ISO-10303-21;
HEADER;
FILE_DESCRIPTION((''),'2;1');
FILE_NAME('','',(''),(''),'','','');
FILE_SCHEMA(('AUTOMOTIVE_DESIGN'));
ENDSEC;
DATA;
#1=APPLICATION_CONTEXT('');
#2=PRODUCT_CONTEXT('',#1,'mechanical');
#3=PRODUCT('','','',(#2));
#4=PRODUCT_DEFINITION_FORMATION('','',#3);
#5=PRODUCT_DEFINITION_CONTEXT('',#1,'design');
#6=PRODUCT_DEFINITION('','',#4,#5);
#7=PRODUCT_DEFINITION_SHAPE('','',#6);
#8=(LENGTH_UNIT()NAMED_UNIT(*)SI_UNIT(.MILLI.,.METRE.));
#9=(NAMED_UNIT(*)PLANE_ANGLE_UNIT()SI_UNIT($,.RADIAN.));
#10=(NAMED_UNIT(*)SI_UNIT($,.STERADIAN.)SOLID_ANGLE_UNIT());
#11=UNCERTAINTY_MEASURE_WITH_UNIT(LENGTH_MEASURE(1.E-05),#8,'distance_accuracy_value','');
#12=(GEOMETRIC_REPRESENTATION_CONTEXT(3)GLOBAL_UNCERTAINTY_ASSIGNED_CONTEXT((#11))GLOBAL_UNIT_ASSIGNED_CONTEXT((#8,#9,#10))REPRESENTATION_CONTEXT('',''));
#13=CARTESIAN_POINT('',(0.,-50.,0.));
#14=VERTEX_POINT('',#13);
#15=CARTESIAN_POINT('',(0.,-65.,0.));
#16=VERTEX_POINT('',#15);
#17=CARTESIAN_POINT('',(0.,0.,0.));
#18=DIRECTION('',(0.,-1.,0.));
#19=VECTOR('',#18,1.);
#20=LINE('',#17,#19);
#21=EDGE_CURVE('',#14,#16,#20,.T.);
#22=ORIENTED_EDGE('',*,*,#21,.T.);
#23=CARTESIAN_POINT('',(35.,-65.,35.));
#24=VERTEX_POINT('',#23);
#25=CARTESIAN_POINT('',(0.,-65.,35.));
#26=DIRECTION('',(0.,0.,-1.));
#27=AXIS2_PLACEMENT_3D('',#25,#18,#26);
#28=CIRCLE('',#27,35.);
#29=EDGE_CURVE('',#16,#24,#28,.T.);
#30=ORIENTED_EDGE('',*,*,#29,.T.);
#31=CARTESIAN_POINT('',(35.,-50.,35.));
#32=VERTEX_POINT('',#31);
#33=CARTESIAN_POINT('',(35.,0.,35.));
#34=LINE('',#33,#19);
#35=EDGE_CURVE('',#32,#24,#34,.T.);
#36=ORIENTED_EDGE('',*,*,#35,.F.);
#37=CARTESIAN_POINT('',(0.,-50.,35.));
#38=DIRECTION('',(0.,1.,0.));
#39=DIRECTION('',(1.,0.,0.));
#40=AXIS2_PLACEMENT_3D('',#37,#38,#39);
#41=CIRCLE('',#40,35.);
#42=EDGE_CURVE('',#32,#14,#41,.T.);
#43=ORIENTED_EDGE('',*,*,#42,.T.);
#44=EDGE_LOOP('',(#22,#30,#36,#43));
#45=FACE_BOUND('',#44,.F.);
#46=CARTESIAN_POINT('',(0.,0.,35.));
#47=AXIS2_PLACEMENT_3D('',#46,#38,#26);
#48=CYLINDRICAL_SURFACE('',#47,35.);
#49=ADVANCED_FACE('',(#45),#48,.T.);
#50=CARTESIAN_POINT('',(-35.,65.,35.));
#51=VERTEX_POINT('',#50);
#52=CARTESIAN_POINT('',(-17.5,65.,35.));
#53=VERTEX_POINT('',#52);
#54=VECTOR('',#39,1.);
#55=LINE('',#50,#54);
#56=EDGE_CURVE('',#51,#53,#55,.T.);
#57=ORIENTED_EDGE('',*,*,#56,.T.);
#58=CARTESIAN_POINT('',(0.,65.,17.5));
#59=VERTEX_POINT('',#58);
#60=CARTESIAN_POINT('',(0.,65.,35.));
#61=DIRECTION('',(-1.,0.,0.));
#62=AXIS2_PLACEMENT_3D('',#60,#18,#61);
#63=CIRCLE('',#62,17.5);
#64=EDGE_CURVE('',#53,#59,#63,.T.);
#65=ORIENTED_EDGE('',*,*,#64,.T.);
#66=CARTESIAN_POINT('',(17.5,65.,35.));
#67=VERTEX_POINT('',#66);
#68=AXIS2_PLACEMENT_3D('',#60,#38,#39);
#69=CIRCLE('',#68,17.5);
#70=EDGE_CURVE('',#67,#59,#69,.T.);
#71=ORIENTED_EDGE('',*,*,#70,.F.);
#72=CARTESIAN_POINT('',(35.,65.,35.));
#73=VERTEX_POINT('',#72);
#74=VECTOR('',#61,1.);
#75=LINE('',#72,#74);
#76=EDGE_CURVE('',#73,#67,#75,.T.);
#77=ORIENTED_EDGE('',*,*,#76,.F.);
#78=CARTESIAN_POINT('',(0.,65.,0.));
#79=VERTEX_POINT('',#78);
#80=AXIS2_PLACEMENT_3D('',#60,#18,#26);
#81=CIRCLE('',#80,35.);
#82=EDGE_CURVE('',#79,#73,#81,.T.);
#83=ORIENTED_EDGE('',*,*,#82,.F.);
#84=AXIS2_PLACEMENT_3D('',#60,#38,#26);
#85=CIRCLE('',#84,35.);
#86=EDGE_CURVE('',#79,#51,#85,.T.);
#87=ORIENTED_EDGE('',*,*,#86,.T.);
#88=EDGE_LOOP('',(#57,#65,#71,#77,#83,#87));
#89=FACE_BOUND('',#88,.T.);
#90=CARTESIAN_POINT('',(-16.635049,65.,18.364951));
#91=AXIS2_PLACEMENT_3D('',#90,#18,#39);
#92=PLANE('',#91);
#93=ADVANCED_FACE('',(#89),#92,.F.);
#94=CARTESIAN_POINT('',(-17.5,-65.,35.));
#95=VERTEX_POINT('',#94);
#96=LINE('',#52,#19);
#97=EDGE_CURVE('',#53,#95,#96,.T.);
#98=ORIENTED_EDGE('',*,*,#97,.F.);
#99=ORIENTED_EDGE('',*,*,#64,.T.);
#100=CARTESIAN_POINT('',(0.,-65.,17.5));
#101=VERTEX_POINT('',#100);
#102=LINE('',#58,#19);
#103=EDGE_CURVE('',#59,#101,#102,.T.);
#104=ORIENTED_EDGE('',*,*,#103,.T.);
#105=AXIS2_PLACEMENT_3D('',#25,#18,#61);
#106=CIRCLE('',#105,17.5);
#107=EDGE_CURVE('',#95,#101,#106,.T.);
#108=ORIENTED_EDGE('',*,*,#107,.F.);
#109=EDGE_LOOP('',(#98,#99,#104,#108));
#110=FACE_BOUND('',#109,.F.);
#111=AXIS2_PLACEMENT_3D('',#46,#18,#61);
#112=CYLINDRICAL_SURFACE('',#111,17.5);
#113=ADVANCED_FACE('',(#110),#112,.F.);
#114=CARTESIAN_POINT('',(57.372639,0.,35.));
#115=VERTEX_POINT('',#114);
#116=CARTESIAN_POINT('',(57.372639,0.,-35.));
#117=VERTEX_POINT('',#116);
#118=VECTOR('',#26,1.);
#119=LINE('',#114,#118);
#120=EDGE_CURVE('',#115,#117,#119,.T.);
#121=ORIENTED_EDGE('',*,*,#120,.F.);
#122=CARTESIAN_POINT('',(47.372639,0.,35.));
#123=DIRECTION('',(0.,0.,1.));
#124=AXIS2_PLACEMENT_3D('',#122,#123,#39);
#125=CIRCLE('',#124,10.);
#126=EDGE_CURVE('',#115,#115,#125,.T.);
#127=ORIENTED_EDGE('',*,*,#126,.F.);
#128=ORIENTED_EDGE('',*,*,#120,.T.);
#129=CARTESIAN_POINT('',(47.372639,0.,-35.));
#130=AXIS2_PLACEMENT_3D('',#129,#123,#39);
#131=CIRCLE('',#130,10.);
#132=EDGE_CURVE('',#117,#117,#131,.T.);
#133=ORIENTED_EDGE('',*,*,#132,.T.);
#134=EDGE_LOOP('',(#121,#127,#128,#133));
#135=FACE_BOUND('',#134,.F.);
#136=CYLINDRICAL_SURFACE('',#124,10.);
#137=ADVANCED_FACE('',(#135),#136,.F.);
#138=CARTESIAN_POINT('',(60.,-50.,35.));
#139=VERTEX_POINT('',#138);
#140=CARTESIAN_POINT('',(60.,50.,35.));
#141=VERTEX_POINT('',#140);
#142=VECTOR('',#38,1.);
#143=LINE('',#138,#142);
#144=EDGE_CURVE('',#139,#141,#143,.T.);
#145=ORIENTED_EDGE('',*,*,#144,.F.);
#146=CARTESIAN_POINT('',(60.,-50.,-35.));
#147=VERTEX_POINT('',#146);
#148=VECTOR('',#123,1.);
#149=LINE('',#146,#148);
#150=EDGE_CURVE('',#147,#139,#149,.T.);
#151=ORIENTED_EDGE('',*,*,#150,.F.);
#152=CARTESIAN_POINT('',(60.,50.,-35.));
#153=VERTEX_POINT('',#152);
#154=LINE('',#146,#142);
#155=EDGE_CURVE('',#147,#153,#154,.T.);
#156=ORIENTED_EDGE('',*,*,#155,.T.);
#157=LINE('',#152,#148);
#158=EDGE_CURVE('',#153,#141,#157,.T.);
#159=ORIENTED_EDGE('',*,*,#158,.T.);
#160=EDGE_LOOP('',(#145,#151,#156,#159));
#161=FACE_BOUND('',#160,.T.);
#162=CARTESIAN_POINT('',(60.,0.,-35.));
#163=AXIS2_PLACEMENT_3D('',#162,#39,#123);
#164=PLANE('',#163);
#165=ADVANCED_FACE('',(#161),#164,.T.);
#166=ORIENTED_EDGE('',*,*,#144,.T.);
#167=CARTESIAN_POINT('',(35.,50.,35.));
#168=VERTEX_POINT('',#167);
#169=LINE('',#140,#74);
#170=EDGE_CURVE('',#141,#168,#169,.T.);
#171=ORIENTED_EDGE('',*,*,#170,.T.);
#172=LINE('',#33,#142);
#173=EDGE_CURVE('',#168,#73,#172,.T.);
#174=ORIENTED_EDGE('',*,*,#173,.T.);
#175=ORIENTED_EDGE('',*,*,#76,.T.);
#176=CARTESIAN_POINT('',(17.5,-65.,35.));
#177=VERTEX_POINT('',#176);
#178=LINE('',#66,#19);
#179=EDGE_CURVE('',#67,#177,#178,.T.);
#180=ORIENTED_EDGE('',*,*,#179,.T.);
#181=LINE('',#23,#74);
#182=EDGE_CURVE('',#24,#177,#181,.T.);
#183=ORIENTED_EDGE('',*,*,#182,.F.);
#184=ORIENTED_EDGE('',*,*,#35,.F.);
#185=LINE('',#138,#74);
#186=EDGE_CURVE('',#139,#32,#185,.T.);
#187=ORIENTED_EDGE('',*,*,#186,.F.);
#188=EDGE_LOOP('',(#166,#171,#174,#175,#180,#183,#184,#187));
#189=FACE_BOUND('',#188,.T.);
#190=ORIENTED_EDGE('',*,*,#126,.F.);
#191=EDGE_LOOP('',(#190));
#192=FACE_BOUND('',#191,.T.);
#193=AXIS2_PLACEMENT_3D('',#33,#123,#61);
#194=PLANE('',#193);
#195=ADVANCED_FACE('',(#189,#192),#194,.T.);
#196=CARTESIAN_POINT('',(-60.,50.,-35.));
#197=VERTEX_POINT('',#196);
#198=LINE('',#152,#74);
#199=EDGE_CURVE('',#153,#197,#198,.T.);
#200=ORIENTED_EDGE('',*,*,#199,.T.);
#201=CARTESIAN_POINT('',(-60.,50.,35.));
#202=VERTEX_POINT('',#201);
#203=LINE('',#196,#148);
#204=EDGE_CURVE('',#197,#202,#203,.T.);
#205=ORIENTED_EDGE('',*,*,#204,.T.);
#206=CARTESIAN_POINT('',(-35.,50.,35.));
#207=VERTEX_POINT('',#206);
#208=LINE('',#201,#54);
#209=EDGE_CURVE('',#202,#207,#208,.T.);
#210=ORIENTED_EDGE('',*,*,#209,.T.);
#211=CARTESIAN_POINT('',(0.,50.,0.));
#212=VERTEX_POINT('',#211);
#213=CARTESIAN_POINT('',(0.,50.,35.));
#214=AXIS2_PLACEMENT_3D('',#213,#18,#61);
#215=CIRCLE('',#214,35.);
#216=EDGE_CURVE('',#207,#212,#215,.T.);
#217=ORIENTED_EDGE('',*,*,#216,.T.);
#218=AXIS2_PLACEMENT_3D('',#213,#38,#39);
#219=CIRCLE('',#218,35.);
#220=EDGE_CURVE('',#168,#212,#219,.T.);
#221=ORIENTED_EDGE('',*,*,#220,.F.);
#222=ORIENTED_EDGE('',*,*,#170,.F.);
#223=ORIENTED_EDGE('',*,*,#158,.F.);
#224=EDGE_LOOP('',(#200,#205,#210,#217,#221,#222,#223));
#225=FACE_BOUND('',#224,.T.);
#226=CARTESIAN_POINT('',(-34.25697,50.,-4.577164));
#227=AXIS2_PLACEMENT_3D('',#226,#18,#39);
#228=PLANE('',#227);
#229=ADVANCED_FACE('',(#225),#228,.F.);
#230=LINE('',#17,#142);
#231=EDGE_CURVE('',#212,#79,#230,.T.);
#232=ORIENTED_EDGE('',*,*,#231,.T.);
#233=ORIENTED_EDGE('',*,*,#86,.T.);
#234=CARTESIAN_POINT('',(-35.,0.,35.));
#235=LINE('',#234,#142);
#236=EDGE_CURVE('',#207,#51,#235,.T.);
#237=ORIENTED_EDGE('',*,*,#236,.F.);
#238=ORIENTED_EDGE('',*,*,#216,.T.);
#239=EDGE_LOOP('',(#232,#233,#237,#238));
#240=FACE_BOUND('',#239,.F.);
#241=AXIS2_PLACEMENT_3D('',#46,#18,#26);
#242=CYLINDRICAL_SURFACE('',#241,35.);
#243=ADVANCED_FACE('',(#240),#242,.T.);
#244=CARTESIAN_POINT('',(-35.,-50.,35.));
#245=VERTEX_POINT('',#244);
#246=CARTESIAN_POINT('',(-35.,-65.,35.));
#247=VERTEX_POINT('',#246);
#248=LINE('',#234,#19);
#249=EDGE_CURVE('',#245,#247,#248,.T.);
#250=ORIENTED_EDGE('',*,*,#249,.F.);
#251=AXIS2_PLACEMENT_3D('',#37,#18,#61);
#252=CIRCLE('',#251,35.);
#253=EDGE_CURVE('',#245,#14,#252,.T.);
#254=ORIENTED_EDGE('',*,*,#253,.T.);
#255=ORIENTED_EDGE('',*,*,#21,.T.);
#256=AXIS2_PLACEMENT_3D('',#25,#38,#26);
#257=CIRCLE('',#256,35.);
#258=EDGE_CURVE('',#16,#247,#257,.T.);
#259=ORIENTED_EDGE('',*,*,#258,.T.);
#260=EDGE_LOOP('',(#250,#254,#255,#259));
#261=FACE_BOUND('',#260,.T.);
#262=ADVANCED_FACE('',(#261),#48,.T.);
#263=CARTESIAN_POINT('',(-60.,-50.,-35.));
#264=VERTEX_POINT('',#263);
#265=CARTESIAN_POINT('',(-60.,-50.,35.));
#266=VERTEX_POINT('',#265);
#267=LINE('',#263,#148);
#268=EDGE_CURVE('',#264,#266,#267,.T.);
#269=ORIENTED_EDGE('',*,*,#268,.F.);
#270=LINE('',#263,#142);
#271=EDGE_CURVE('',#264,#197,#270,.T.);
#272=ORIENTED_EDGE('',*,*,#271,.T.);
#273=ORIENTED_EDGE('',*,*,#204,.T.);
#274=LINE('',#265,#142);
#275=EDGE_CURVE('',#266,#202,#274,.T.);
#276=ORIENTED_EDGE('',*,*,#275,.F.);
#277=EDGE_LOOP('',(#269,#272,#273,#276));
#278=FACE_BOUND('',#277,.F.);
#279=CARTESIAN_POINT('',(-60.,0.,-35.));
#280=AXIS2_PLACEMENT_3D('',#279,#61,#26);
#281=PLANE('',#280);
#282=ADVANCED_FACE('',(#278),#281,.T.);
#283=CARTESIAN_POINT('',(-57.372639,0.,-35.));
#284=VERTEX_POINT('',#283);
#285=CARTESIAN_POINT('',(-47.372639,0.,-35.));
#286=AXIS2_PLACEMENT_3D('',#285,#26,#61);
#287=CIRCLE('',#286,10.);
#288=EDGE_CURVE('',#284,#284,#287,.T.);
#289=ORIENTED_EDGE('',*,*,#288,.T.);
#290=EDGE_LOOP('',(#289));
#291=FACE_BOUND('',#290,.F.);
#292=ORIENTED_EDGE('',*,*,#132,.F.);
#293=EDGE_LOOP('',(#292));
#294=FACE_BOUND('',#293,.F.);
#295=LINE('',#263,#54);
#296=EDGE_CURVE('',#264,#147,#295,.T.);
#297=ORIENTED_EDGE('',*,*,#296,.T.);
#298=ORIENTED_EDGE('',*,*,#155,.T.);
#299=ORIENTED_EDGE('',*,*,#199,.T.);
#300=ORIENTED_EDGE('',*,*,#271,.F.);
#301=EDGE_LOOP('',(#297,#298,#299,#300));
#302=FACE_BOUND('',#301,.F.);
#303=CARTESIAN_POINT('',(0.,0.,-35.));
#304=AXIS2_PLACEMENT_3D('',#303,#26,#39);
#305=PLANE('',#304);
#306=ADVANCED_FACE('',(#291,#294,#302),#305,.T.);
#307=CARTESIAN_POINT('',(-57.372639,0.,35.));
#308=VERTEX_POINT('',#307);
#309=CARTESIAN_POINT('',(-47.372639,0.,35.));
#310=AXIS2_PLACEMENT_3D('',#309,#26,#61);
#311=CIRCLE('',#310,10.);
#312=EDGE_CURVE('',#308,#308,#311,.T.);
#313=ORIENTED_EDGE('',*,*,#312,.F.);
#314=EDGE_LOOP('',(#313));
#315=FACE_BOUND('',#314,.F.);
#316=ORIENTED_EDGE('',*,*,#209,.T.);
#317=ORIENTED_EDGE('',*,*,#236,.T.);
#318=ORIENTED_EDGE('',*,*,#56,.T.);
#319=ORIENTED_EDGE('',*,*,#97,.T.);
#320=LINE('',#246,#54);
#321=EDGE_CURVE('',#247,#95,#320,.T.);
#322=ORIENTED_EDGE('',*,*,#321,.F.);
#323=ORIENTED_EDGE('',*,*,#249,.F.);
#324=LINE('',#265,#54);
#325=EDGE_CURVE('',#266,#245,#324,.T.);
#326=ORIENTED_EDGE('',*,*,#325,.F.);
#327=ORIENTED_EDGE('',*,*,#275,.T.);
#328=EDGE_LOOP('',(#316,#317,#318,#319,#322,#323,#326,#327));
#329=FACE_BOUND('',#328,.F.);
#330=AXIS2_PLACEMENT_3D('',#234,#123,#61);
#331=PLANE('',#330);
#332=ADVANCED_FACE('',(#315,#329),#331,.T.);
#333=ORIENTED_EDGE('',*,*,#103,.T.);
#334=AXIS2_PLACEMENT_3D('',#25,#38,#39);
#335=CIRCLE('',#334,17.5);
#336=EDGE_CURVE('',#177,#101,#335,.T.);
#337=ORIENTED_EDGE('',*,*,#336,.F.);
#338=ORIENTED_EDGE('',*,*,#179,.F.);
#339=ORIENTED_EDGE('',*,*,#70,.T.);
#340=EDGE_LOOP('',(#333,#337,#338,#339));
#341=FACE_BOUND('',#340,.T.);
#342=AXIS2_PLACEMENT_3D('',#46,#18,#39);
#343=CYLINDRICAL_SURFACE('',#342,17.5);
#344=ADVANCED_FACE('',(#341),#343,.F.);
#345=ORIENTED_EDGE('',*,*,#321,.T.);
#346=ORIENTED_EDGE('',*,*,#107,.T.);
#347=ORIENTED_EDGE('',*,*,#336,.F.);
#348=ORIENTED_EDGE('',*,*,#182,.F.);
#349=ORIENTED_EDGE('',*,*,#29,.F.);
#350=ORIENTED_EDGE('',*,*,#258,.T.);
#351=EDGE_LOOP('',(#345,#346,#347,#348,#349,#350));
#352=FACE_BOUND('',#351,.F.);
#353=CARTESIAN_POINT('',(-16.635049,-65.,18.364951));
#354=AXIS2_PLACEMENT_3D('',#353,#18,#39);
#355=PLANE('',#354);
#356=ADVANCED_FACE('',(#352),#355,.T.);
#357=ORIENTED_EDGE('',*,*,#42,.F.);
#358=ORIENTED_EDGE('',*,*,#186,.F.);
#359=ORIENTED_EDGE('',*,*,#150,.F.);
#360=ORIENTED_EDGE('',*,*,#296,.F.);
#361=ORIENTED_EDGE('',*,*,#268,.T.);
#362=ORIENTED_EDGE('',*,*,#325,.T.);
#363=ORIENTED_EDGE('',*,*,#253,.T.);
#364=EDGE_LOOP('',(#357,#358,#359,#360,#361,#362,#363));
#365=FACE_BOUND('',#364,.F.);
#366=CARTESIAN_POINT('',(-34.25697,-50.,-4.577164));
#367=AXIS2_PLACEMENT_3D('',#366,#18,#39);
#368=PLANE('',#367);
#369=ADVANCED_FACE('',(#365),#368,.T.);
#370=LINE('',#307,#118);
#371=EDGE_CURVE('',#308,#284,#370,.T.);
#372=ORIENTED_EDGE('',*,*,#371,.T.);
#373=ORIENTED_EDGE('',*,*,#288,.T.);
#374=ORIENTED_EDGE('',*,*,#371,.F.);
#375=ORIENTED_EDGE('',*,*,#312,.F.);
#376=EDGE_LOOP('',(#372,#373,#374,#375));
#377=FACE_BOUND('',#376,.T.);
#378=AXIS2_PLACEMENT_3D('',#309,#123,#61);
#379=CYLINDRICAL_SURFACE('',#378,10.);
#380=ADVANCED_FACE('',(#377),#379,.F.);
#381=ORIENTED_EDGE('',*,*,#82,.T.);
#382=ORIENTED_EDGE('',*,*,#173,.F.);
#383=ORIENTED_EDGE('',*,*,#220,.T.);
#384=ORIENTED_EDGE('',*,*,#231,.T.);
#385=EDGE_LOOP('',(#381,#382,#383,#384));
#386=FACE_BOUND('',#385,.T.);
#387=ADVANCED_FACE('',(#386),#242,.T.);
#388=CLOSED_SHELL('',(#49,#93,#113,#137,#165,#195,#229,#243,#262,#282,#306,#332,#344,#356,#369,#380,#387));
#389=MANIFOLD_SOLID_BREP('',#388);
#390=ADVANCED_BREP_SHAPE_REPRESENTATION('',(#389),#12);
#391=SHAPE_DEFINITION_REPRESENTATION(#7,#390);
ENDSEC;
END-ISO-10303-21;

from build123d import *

# Parameters (mm, degrees)
F1_DEPTH = 50
F2_DEPTH = 50
F3_DEPTH = 65
F4_DEPTH = 65
F5_R     = 10
F6_DEPTH = 200


with BuildPart() as f1:
    # F0 (on Front) → F1 (new body)
    with BuildSketch(Plane.XZ):
        with BuildLine():
            Line((60, 35), (35, 35))
            ThreePointArc((35, 35), (24.7487373415, 10.2512626585), (0, 0))
            Line((0, 0), (0, -35))
            Line((0, -35), (60, -35))
            Line((60, -35), (60, 35))
        make_face()
    extrude(amount=F1_DEPTH)

    # F2 (add): a face of the model
    f2_faces = [f1.faces().sort_by_distance(p)[0] for p in [
        (34.5003777815, 0, -5.9860884872),
    ]]
    extrude(f2_faces, amount=F2_DEPTH)

    # F0 (on Front) → F3 (join)
    with BuildSketch(Plane.XZ):
        with BuildLine():
            Line((35, 35), (17.5, 35))
            ThreePointArc((17.5, 35), (12.3743686708, 22.6256313292), (0, 17.5))
            Line((0, 17.5), (0, 0))
            ThreePointArc((0, 0), (24.7487373415, 10.2512626585), (35, 35))
        make_face()
    extrude(amount=F3_DEPTH)

    # F4 (add): a face of the model
    f4_faces = [f1.faces().sort_by_distance(p)[0] for p in [
        (17.3302049145, 0, 17.6697950855),
    ]]
    extrude(f4_faces, amount=F4_DEPTH)

    # F5 (on face) → F6 (cut)
    with BuildSketch(Plane.XY.offset(35)):
        with Locations((47.3726391792, 0)):
            Circle(F5_R)
    extrude(amount=-F6_DEPTH, mode=Mode.SUBTRACT)

    # F7: F1 across face


with BuildPart() as f1_1:
    add(f1.part)
    add(f1.part.mirror(Plane(origin=(0, 0, -7.1590909091), x_dir=(0, -1, 0), z_dir=(-1, 0, 0))))


solid = f1_1.part
